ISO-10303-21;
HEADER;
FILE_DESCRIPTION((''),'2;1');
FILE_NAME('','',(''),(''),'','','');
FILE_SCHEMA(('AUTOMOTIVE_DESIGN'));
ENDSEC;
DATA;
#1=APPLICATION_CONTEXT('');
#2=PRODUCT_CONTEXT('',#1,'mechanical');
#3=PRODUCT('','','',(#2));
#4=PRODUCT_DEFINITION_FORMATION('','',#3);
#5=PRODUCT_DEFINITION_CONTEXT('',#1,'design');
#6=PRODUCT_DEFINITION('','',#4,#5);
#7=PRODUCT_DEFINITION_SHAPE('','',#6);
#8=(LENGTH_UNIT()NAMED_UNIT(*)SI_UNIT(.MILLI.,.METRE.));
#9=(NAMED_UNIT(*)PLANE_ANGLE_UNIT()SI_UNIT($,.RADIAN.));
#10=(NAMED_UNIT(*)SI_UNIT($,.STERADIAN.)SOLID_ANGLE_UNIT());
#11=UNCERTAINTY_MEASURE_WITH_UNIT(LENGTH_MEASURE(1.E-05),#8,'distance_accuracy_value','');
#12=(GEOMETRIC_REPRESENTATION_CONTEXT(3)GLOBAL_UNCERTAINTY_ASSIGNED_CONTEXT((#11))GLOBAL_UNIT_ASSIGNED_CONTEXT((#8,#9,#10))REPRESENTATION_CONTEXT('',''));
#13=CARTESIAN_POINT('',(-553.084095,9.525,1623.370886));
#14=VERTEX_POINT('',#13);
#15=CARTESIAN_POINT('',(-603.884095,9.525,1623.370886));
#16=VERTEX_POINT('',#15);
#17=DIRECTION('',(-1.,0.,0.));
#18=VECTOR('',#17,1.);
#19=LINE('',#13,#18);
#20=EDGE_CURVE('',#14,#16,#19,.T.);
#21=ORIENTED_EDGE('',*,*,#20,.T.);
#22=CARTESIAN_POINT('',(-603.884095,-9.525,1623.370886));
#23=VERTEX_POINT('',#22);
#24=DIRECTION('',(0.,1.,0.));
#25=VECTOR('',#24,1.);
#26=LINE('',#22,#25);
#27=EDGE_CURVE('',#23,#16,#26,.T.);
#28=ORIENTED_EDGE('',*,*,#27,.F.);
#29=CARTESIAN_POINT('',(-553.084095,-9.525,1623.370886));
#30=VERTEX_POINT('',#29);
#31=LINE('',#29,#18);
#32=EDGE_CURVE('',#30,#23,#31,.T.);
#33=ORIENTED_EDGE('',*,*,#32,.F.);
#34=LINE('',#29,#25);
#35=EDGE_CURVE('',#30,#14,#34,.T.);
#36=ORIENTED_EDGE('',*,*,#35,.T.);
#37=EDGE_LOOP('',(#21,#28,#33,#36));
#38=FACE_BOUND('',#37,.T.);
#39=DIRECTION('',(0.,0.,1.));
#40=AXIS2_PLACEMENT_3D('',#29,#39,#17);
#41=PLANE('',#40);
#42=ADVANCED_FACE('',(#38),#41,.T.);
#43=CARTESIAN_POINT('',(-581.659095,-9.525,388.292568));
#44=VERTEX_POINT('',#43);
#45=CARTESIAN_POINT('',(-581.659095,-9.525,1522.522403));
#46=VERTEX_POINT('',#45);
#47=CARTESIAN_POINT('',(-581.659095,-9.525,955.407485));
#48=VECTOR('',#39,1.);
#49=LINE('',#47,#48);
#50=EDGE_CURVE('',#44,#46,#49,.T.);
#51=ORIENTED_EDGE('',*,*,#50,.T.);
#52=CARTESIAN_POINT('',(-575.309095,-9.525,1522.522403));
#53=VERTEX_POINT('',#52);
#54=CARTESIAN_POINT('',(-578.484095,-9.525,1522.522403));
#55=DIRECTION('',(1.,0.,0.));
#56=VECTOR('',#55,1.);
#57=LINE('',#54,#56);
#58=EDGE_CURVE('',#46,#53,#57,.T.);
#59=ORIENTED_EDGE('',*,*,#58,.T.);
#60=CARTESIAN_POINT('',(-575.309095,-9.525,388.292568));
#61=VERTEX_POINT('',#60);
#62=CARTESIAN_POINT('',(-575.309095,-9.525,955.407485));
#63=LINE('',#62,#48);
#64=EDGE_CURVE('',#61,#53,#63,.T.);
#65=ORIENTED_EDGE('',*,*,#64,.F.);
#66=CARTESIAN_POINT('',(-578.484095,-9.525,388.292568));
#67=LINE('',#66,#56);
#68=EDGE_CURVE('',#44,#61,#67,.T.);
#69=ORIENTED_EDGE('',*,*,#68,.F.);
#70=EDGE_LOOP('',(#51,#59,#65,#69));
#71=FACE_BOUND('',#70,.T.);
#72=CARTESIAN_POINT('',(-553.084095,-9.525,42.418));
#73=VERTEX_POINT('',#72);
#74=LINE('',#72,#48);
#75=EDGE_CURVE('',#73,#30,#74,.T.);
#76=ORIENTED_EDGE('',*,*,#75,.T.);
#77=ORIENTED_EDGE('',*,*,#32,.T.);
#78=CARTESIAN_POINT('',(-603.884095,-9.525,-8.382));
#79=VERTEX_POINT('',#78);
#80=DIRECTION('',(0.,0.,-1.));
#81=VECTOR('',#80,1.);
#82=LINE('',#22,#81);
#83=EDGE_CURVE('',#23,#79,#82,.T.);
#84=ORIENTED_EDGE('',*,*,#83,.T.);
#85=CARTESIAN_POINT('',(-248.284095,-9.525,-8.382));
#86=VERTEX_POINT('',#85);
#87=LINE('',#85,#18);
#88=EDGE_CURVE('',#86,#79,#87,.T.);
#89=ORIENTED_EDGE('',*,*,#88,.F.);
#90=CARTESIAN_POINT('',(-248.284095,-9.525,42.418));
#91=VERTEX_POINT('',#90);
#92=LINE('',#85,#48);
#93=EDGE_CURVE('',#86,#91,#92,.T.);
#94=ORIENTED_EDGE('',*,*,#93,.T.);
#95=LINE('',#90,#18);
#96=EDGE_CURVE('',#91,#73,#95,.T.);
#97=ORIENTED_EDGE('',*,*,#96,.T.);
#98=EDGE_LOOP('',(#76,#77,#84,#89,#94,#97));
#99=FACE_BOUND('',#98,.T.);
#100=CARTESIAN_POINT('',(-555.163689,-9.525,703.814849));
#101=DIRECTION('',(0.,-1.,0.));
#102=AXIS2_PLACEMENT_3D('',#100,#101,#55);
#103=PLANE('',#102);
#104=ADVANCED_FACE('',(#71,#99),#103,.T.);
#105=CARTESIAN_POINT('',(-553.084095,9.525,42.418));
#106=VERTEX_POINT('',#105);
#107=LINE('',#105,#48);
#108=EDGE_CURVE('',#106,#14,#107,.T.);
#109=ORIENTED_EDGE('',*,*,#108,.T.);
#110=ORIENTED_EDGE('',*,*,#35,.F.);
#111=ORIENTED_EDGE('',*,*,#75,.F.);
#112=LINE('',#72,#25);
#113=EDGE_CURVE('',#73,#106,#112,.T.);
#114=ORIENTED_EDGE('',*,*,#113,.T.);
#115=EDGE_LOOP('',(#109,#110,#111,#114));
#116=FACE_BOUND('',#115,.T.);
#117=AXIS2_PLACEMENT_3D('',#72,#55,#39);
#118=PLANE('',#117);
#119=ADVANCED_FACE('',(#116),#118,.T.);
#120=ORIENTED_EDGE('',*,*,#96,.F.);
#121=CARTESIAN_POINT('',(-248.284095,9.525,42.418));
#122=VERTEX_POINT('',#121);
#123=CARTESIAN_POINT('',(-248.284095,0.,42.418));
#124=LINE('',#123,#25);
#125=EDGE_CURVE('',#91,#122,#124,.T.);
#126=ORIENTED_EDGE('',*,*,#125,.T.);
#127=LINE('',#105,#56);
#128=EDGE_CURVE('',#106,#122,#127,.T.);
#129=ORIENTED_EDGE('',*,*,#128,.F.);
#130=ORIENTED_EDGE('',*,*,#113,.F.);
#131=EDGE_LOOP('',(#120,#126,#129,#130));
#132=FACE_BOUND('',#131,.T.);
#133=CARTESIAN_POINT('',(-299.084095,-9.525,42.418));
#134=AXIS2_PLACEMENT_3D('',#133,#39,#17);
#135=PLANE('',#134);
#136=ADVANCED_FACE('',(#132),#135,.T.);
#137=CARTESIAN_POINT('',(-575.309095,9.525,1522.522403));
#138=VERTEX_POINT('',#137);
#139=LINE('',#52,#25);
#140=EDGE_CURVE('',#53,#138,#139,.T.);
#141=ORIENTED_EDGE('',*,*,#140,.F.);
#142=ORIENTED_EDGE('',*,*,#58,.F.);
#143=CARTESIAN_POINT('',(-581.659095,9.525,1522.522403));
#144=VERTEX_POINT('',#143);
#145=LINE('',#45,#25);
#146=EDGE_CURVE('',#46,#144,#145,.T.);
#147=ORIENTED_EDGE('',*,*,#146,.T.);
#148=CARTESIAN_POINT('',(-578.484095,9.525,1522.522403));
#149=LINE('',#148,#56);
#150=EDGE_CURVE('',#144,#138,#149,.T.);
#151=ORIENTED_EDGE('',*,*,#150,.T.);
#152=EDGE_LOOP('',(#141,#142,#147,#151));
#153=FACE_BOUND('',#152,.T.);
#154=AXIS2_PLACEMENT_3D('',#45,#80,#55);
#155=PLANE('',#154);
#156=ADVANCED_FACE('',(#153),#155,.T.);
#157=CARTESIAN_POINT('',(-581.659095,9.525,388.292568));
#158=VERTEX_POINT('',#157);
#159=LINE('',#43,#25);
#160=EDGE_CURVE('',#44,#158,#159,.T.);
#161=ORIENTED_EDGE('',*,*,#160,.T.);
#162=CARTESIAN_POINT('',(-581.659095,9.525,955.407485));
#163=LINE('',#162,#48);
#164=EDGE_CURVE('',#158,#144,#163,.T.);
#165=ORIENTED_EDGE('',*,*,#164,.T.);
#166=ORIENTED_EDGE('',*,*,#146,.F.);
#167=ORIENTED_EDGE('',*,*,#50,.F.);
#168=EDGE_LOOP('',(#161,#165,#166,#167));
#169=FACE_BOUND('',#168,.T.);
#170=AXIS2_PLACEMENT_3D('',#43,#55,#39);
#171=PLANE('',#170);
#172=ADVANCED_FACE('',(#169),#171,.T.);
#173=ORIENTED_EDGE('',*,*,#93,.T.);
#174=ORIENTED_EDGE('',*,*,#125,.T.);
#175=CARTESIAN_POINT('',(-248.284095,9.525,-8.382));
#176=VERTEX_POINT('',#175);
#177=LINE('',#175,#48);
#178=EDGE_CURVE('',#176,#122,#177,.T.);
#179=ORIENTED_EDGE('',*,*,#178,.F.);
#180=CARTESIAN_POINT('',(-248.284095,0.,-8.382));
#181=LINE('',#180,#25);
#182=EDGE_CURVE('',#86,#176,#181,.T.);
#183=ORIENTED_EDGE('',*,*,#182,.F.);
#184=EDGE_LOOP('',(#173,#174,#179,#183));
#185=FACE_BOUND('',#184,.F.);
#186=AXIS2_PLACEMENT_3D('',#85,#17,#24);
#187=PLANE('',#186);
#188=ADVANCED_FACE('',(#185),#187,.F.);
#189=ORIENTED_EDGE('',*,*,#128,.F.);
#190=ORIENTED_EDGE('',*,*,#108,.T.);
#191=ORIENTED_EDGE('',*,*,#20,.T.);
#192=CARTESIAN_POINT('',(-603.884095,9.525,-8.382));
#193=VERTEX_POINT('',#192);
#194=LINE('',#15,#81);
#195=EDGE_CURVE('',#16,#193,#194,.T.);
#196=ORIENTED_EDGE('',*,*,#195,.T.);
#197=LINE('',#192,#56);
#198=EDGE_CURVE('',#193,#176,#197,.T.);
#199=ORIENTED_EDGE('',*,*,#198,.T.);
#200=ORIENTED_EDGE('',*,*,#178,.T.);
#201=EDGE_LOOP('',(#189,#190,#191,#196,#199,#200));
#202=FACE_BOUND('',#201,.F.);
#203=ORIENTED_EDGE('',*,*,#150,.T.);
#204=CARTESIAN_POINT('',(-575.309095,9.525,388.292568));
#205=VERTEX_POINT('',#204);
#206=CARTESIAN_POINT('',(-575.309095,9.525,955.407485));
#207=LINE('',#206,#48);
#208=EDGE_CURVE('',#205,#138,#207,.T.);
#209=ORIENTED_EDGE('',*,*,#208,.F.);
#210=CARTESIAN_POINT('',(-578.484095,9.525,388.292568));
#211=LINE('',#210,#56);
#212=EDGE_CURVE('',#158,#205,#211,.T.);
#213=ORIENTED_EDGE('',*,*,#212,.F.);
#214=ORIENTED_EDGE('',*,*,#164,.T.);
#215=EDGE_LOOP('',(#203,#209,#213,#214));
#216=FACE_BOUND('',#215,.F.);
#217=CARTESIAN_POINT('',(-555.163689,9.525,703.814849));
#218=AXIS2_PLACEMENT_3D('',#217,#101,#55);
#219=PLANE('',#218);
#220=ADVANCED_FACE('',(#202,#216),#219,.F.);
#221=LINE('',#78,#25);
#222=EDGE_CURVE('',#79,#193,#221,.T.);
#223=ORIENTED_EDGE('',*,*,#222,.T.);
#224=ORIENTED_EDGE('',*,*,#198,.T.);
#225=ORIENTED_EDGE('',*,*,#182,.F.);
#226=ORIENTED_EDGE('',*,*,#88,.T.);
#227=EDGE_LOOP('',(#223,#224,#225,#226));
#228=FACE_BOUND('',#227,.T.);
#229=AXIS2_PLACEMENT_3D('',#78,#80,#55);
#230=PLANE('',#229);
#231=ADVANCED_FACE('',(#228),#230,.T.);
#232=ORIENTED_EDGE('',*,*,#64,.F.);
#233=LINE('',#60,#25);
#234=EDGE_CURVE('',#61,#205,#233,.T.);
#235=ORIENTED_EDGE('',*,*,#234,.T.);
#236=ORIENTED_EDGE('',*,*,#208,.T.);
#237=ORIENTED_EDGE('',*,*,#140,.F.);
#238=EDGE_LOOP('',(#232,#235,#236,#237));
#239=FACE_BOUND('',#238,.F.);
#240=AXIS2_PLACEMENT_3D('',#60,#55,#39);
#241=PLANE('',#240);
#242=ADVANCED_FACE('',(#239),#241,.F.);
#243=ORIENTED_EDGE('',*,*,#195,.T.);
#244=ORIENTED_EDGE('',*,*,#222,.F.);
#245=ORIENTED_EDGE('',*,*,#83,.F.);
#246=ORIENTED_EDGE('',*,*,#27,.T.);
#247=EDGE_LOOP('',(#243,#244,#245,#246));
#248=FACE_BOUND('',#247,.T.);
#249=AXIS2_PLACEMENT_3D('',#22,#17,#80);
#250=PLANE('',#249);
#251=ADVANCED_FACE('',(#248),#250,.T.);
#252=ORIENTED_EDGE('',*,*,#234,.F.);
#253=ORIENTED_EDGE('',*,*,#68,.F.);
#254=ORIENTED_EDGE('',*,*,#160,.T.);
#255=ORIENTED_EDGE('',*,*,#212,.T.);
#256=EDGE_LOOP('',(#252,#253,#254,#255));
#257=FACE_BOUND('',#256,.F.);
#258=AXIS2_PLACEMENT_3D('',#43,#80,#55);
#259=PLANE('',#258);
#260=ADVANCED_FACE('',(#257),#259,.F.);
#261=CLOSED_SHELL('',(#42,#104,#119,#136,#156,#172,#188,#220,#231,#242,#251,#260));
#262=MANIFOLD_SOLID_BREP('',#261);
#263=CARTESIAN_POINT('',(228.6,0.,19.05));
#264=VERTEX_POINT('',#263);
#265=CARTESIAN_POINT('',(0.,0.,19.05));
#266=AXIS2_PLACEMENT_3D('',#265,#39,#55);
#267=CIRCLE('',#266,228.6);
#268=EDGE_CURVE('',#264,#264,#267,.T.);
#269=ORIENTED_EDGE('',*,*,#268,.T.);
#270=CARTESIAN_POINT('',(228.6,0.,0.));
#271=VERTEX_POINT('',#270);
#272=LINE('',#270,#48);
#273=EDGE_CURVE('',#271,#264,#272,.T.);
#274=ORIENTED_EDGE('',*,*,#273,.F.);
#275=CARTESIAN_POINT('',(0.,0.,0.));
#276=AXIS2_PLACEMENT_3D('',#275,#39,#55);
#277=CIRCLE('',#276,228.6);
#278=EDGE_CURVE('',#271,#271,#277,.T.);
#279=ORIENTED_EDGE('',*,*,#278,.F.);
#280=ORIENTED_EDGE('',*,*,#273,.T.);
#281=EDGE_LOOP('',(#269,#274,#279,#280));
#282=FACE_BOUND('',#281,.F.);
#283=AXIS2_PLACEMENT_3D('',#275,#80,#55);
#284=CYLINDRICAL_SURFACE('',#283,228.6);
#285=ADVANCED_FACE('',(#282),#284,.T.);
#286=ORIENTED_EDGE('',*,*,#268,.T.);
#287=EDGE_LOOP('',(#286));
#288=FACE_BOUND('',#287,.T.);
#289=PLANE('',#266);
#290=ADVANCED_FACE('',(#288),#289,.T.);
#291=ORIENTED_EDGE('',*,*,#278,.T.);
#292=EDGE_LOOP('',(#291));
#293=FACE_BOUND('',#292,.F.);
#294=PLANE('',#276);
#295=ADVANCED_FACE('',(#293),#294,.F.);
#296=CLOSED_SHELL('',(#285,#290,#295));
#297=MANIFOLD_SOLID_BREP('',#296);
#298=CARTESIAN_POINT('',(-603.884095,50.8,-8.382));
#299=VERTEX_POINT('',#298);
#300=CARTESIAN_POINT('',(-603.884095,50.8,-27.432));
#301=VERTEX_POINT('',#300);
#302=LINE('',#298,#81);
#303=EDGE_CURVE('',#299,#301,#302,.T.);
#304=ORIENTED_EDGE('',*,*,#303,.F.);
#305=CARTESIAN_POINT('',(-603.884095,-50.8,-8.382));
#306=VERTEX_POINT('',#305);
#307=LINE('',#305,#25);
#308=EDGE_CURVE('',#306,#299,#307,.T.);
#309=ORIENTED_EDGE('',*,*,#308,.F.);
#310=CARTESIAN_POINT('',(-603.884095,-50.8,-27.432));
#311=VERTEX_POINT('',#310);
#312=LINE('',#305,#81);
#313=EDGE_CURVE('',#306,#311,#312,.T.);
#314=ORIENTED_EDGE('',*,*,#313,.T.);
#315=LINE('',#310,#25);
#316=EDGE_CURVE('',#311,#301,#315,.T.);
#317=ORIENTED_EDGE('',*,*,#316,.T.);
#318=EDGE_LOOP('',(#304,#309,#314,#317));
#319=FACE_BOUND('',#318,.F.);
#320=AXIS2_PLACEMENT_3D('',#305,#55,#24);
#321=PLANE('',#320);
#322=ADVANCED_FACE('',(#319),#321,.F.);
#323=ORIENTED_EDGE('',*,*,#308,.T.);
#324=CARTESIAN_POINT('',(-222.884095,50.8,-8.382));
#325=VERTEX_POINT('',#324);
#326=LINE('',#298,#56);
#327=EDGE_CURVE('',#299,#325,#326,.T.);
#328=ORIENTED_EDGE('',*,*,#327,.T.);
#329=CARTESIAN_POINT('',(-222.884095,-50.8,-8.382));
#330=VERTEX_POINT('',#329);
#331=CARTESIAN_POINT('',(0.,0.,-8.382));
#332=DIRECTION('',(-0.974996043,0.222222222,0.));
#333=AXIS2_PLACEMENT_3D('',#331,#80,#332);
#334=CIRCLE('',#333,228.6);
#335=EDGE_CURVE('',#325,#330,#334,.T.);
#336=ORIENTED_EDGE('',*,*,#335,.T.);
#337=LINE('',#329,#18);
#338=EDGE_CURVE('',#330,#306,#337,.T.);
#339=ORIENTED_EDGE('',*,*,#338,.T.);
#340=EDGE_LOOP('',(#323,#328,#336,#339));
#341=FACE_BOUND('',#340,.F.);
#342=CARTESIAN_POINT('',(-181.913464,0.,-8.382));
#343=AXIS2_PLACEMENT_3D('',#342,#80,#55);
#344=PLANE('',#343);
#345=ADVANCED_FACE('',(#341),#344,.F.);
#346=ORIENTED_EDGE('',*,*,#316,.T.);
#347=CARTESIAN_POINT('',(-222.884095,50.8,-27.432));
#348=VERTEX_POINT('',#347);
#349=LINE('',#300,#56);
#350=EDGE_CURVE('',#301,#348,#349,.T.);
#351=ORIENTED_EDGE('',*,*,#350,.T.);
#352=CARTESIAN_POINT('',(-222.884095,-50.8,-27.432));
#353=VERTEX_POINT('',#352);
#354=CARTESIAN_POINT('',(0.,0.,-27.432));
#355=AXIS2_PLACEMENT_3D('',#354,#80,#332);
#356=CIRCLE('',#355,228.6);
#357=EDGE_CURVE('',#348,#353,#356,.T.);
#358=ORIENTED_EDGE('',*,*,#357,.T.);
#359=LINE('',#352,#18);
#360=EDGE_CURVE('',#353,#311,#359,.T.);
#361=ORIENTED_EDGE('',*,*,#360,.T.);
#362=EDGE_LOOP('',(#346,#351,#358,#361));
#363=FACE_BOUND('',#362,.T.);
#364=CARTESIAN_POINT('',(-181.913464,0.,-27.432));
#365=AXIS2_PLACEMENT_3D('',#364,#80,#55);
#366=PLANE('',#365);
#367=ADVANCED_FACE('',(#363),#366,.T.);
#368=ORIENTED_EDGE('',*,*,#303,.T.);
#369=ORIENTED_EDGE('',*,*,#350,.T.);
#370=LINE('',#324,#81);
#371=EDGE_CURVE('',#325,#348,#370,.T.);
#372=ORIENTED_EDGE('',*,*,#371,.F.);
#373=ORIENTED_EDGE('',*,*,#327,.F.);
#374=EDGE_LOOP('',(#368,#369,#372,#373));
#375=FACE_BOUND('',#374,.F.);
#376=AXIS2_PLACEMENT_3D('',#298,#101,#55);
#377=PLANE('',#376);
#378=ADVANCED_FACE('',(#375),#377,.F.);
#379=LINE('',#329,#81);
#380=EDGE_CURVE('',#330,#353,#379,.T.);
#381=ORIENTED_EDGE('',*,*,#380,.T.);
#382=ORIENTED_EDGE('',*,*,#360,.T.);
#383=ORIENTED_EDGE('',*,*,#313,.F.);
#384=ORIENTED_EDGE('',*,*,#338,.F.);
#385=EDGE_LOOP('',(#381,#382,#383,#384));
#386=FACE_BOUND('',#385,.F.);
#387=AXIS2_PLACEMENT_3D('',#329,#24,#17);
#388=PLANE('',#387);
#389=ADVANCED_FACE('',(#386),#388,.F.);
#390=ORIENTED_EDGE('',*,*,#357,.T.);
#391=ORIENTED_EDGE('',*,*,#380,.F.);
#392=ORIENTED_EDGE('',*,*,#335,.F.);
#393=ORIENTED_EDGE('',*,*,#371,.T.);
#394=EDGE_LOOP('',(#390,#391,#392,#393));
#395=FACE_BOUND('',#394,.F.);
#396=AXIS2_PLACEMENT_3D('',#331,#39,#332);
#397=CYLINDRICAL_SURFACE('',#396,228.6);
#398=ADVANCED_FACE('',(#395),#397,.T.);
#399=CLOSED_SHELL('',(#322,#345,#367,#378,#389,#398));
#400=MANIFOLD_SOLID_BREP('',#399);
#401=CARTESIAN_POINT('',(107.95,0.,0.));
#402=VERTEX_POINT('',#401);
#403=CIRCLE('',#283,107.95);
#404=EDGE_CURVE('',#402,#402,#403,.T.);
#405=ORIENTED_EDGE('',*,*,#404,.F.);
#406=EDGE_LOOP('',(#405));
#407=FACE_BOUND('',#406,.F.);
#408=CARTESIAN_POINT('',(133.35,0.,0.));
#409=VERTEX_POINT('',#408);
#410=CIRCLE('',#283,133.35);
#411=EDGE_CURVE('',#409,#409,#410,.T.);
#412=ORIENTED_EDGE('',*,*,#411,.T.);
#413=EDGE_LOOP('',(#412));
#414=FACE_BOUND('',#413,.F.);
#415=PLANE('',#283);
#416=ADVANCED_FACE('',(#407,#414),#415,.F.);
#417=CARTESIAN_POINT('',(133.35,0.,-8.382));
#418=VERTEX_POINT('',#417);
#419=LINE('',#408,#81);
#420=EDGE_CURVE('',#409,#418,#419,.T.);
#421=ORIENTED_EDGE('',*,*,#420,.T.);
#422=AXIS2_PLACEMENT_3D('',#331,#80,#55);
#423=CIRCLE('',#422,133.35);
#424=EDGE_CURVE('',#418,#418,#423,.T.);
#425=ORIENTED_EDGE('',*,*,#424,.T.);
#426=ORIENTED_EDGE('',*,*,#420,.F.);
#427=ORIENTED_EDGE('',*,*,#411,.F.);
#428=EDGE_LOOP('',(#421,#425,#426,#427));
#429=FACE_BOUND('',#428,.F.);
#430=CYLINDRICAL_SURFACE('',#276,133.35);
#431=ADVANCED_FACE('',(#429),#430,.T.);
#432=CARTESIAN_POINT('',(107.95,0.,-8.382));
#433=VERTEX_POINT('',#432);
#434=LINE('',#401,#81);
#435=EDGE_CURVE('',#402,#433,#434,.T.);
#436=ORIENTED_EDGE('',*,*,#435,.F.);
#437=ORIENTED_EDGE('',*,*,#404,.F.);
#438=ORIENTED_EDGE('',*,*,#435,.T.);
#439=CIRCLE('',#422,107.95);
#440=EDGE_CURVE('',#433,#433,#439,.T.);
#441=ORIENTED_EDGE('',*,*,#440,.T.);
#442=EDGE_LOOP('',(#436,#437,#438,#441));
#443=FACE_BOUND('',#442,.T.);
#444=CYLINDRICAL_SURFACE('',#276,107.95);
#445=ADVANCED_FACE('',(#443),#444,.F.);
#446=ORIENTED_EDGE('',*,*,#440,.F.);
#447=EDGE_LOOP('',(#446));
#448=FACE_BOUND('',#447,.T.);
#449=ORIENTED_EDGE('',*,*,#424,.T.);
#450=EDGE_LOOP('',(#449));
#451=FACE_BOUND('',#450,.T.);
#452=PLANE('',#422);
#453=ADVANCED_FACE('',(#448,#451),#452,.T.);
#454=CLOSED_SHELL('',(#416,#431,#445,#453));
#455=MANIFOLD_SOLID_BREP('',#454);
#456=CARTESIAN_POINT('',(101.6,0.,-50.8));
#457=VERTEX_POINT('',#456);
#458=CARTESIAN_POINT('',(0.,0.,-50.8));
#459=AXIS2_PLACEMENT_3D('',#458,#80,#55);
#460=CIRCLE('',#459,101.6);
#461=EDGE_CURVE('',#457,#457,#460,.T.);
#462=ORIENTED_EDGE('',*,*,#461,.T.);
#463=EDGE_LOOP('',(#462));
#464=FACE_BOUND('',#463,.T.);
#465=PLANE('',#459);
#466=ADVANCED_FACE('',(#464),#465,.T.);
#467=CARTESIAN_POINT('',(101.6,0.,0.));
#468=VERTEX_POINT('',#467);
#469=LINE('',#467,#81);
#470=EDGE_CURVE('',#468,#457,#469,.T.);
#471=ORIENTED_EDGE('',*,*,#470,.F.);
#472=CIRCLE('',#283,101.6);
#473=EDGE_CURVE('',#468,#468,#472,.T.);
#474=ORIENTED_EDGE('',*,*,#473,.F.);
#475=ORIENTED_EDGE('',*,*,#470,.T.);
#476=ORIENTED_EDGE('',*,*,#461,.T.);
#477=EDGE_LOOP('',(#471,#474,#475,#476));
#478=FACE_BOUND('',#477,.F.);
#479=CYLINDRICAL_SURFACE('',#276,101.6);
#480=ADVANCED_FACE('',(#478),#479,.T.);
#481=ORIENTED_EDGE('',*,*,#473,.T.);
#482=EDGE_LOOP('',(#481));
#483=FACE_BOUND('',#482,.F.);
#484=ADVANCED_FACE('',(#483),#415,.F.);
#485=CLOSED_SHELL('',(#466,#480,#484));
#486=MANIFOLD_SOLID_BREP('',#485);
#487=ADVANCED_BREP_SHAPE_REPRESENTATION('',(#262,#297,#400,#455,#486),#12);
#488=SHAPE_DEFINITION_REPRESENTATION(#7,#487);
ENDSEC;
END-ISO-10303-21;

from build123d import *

# Parameters (mm, degrees)
F0_R      = 228.6
F1_DEPTH  = 19.05
F2_R      = 101.6
F3_DEPTH  = 50.8
F4_R      = 133.35
F4_R_2    = 107.95
F5_DEPTH  = 8.382
F7_DEPTH  = 19.05
F8_W      = 50.8
F8_H      = 19.05
F9_DEPTH  = 50.8
F11_DEPTH = 19.05
F12_W     = 6.35
F12_H     = 1134.2298353541
F13_DEPTH = 19.05


with BuildPart() as f1:
    # F0 (on Top) → F1 (new body)
    with BuildSketch(Plane.XY):
        Circle(F0_R)
    extrude(amount=F1_DEPTH)


with BuildPart() as f3:
    # F2 (on face) → F3 (new body)
    with BuildSketch(Plane(origin=(0, 0, 0), x_dir=(1, 0, 0), z_dir=(0, 0, -1))):
        Circle(F2_R)
    extrude(amount=F3_DEPTH)


with BuildPart() as f5:
    # F4 (on face) → F5 (new body)
    with BuildSketch(Plane(origin=(0, 0, 0), x_dir=(1, 0, 0), z_dir=(0, 0, -1))):
        Circle(F4_R)
        Circle(F4_R_2, mode=Mode.SUBTRACT)
    extrude(amount=F5_DEPTH)


with BuildPart() as f7:
    # F6 (on face) → F7 (new body)
    with BuildSketch(Plane(origin=(0, 0, -8.382), x_dir=(1, 0, 0), z_dir=(0, 0, -1))):
        with BuildLine():
            Line((-603.8840954398, -50.8), (-222.8840954398, -50.8))
            ThreePointArc((-222.8840954398, -50.8), (228.6, 0), (-222.8840954398, 50.8))
            Line((-222.8840954398, 50.8), (-603.8840954398, 50.8))
            Line((-603.8840954398, 50.8), (-603.8840954398, -50.8))
        make_face()
    extrude(amount=F7_DEPTH)


with BuildPart() as f9:
    # F8 (on face) → F9 (new body)
    with BuildSketch(Plane.XY.offset(-8.382)):
        with Locations((-273.6840954398, 0)):
            Rectangle(F8_W, F8_H)
    extrude(amount=F9_DEPTH)

    # F10 (on face) → F11 (join)
    with BuildSketch(Plane.XZ.offset(9.525)):
        Polygon((-603.8840954398, -8.382), (-299.0840954398, -8.382), (-299.0840954398, 42.418), (-553.0840954398, 42.418), (-553.0840954398, 1623.370885849), (-603.8840954398, 1623.370885849), align=None)
    extrude(amount=-F11_DEPTH)

    # F12 (on face) → F13 (cut, through all)
    with BuildSketch(Plane.XZ.offset(9.525)):
        with Locations((-578.4840954398, 955.4074853659)):
            Rectangle(F12_W, F12_H)
    extrude(amount=-F13_DEPTH, mode=Mode.SUBTRACT)


solid = Compound([f1.part, f3.part, f5.part, f7.part, f9.part])
